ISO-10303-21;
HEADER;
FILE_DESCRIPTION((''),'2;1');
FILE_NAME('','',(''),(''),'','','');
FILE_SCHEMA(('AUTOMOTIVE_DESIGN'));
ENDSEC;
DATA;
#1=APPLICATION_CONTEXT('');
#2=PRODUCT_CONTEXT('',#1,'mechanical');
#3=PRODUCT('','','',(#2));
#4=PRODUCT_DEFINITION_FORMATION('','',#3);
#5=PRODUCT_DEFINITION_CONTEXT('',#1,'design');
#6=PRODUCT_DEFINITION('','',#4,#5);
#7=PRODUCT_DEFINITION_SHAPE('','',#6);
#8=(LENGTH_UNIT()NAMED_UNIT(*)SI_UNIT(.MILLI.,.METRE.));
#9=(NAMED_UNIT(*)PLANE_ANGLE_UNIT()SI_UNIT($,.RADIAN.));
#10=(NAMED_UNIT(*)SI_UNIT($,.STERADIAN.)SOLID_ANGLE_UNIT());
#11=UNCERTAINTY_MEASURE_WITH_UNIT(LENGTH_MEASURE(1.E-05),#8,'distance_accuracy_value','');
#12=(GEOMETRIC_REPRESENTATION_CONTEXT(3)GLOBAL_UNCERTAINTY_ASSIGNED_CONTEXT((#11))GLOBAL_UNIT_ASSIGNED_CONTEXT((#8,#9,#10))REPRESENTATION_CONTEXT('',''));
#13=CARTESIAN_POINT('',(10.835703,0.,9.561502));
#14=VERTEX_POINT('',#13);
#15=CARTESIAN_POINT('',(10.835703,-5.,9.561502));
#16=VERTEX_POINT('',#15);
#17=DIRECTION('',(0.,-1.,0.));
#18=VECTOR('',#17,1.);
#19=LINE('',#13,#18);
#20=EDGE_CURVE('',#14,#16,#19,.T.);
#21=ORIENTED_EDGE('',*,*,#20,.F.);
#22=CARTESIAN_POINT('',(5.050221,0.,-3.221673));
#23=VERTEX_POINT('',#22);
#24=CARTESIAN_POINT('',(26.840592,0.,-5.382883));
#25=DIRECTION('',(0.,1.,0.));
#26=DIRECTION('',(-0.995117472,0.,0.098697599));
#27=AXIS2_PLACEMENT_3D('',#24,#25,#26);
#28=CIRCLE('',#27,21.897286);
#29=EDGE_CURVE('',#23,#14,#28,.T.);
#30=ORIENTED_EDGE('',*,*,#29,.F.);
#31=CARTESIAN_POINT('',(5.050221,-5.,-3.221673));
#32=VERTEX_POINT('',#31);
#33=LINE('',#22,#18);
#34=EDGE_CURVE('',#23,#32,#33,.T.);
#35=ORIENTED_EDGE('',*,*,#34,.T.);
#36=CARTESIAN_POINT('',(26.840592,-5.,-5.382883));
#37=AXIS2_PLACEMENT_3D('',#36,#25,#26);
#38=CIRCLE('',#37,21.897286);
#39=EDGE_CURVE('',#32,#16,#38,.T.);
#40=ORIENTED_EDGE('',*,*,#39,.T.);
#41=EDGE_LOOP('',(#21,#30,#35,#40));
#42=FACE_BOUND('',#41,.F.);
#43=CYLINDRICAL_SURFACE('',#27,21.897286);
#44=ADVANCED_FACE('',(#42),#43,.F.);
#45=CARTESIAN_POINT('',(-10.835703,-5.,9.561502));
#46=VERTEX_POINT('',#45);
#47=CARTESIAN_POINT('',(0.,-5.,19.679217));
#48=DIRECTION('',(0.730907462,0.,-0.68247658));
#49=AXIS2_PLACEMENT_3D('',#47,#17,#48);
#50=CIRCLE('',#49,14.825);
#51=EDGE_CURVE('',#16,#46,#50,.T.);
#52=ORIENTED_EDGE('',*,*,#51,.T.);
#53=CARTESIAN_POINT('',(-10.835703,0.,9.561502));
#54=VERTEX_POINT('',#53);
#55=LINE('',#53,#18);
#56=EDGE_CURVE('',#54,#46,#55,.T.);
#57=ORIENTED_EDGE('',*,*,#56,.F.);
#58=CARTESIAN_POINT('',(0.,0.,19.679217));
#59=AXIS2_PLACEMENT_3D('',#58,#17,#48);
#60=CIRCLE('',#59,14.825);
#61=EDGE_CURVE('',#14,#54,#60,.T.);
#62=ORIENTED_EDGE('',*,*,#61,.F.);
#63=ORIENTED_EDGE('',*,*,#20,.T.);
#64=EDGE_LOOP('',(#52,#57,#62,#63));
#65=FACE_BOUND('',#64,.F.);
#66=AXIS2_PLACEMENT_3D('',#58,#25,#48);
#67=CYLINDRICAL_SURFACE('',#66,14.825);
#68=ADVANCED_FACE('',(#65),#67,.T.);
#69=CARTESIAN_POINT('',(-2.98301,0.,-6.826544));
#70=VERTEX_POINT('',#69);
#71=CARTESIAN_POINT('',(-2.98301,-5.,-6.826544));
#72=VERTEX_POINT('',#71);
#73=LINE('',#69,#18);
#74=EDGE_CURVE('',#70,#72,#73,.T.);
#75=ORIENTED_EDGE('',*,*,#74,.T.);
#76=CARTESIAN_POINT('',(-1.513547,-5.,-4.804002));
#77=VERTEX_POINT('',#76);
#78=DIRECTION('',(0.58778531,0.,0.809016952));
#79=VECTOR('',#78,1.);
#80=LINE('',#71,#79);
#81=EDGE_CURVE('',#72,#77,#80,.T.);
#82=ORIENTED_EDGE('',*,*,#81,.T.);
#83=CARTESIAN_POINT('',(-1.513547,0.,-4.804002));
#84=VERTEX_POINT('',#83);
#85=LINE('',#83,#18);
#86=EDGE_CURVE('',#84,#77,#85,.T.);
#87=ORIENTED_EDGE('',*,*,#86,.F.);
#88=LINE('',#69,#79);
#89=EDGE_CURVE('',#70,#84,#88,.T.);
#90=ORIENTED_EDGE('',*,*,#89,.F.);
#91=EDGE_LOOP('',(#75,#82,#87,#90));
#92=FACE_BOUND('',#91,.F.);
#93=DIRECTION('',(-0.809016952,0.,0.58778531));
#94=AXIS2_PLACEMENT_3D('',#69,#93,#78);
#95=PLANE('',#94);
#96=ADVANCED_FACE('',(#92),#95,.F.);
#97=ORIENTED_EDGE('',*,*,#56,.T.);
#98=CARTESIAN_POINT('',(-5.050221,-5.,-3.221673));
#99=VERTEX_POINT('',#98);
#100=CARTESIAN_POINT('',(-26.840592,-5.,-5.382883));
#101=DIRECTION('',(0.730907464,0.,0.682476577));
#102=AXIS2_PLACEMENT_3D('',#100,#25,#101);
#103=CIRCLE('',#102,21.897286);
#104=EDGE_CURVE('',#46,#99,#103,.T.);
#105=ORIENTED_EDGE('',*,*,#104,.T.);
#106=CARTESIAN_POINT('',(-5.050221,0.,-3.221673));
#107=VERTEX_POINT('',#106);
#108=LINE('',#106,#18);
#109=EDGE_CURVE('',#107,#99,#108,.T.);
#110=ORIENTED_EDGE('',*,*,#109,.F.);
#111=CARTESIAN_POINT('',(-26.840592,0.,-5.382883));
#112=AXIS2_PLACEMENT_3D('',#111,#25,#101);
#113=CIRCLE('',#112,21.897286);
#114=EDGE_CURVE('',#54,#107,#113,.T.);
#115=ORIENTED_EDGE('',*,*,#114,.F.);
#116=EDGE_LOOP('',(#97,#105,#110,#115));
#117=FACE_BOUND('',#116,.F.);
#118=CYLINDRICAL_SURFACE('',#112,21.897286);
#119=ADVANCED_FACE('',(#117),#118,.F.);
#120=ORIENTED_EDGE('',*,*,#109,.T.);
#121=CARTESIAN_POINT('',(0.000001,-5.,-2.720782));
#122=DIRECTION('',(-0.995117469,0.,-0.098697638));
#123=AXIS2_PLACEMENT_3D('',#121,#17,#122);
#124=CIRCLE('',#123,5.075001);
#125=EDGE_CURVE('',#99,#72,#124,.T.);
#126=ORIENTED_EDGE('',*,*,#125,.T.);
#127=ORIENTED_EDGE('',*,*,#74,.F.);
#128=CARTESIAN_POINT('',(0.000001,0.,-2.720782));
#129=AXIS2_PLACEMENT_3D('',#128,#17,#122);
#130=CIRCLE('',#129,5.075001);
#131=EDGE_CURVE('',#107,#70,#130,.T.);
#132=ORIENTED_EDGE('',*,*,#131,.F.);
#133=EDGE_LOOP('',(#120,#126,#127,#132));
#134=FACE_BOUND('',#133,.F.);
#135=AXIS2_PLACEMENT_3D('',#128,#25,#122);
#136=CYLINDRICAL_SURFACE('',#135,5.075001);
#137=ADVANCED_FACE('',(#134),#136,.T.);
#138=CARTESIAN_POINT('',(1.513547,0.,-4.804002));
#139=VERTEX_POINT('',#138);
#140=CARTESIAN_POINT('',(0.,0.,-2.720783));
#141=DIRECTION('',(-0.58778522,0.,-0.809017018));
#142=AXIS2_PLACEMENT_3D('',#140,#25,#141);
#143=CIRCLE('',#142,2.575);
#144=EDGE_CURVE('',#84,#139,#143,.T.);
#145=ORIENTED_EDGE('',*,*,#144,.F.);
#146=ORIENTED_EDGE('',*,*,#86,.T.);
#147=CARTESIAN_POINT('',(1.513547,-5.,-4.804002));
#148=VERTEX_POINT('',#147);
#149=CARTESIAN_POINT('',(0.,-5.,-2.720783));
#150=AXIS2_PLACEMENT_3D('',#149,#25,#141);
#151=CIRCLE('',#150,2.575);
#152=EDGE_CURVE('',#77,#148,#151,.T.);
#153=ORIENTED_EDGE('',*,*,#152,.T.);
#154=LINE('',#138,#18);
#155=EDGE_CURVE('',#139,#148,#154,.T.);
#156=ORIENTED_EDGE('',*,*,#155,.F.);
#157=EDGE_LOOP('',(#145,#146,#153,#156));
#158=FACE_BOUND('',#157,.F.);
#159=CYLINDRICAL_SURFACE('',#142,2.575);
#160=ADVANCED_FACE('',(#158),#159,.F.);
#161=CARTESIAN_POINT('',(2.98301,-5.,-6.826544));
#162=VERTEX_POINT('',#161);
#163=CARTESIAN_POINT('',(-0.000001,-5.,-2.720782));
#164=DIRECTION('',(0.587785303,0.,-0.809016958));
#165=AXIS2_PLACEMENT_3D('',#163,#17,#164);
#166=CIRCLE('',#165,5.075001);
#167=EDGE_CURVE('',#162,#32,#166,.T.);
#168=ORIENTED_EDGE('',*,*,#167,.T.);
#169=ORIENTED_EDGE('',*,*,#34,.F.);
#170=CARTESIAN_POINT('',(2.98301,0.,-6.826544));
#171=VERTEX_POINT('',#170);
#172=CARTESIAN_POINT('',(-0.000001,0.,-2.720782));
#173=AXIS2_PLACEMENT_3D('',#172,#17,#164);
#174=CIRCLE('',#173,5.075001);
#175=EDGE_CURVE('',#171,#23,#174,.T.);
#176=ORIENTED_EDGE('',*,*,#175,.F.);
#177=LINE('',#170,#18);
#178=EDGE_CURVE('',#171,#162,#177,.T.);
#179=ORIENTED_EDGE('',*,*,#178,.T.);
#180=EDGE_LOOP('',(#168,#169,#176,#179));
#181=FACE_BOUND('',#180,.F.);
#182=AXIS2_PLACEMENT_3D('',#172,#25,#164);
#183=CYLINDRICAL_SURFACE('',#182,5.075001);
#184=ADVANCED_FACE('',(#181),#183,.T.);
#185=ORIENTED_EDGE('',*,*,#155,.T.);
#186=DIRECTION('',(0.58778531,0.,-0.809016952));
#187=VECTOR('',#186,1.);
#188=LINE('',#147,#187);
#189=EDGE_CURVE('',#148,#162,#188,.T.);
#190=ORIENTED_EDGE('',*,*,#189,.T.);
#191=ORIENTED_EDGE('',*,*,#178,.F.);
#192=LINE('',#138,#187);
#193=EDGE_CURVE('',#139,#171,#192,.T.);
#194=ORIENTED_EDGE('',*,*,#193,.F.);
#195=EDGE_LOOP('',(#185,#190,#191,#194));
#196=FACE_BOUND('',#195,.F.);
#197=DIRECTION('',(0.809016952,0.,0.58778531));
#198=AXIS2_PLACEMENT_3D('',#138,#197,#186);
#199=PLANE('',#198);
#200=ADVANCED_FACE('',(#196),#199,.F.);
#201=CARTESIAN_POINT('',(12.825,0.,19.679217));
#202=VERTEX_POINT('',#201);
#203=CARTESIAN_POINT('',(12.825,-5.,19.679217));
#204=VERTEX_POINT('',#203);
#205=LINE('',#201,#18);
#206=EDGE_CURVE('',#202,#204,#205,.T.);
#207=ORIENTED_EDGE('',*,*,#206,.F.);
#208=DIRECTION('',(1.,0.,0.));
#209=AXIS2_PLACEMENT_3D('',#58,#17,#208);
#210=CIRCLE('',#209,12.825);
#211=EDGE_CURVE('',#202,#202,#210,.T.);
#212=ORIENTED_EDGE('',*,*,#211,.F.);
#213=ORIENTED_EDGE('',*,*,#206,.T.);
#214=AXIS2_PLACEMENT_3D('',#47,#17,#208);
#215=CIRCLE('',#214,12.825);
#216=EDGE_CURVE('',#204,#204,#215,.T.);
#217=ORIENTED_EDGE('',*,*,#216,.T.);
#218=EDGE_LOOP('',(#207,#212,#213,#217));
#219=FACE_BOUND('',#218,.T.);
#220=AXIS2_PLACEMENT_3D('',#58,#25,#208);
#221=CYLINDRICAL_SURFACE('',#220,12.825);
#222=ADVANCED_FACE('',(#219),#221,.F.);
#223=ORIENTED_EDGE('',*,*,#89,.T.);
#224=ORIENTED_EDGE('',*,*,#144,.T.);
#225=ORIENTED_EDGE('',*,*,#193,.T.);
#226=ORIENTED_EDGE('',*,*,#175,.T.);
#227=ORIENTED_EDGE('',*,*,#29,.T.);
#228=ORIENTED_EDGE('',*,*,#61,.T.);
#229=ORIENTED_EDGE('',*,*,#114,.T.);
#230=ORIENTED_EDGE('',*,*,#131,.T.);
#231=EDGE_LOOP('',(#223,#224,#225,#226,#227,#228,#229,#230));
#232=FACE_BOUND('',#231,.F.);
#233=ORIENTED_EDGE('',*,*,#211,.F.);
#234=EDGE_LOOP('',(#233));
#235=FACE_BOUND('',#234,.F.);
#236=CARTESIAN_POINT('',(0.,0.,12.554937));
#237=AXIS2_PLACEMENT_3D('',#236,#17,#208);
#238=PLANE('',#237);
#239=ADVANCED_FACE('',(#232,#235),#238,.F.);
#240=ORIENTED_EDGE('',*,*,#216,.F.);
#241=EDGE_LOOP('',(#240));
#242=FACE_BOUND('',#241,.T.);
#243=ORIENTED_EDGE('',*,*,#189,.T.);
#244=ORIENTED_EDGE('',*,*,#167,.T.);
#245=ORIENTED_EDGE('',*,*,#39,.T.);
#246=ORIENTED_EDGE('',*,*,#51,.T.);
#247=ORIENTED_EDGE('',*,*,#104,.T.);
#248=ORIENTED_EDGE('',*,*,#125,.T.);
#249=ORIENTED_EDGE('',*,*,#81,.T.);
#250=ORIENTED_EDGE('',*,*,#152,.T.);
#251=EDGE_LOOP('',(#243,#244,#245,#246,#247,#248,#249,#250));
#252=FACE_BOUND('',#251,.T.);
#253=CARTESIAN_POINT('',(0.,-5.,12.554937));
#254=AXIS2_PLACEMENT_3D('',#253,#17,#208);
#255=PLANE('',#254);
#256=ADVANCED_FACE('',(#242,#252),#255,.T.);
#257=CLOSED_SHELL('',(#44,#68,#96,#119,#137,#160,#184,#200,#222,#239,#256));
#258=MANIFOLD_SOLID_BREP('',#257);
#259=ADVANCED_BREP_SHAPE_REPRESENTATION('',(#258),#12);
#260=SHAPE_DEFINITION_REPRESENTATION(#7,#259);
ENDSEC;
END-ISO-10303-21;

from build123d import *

# Parameters (mm, degrees)
F0_R     = 12.825
F1_DEPTH = 5


with BuildPart() as f1:
    # F0 (on Front) → F1 (new body)
    with BuildSketch(Plane.XZ):
        with BuildLine():
            ThreePointArc((-1.513547, -4.804002), (0, -0.145783), (1.513547, -4.804002))
            Line((1.513547, -4.804002), (2.98301, -6.826544))
            ThreePointArc((2.98301, -6.826544), (4.402496, -5.245392), (5.050221, -3.221673))
            ThreePointArc((5.050221, -3.221673), (6.891336, 3.645865), (10.835703, 9.561502))
            ThreePointArc((10.835703, 9.561502), (0, 34.504217), (-10.835703, 9.561502))
            ThreePointArc((-10.835703, 9.561502), (-6.891336, 3.645865), (-5.050221, -3.221673))
            ThreePointArc((-5.050221, -3.221673), (-4.402496, -5.245392), (-2.98301, -6.826544))
            Line((-2.98301, -6.826544), (-1.513547, -4.804002))
        make_face()
        with Locations((0, 19.679217)):
            Circle(F0_R, mode=Mode.SUBTRACT)
    extrude(amount=F1_DEPTH)


solid = f1.part
